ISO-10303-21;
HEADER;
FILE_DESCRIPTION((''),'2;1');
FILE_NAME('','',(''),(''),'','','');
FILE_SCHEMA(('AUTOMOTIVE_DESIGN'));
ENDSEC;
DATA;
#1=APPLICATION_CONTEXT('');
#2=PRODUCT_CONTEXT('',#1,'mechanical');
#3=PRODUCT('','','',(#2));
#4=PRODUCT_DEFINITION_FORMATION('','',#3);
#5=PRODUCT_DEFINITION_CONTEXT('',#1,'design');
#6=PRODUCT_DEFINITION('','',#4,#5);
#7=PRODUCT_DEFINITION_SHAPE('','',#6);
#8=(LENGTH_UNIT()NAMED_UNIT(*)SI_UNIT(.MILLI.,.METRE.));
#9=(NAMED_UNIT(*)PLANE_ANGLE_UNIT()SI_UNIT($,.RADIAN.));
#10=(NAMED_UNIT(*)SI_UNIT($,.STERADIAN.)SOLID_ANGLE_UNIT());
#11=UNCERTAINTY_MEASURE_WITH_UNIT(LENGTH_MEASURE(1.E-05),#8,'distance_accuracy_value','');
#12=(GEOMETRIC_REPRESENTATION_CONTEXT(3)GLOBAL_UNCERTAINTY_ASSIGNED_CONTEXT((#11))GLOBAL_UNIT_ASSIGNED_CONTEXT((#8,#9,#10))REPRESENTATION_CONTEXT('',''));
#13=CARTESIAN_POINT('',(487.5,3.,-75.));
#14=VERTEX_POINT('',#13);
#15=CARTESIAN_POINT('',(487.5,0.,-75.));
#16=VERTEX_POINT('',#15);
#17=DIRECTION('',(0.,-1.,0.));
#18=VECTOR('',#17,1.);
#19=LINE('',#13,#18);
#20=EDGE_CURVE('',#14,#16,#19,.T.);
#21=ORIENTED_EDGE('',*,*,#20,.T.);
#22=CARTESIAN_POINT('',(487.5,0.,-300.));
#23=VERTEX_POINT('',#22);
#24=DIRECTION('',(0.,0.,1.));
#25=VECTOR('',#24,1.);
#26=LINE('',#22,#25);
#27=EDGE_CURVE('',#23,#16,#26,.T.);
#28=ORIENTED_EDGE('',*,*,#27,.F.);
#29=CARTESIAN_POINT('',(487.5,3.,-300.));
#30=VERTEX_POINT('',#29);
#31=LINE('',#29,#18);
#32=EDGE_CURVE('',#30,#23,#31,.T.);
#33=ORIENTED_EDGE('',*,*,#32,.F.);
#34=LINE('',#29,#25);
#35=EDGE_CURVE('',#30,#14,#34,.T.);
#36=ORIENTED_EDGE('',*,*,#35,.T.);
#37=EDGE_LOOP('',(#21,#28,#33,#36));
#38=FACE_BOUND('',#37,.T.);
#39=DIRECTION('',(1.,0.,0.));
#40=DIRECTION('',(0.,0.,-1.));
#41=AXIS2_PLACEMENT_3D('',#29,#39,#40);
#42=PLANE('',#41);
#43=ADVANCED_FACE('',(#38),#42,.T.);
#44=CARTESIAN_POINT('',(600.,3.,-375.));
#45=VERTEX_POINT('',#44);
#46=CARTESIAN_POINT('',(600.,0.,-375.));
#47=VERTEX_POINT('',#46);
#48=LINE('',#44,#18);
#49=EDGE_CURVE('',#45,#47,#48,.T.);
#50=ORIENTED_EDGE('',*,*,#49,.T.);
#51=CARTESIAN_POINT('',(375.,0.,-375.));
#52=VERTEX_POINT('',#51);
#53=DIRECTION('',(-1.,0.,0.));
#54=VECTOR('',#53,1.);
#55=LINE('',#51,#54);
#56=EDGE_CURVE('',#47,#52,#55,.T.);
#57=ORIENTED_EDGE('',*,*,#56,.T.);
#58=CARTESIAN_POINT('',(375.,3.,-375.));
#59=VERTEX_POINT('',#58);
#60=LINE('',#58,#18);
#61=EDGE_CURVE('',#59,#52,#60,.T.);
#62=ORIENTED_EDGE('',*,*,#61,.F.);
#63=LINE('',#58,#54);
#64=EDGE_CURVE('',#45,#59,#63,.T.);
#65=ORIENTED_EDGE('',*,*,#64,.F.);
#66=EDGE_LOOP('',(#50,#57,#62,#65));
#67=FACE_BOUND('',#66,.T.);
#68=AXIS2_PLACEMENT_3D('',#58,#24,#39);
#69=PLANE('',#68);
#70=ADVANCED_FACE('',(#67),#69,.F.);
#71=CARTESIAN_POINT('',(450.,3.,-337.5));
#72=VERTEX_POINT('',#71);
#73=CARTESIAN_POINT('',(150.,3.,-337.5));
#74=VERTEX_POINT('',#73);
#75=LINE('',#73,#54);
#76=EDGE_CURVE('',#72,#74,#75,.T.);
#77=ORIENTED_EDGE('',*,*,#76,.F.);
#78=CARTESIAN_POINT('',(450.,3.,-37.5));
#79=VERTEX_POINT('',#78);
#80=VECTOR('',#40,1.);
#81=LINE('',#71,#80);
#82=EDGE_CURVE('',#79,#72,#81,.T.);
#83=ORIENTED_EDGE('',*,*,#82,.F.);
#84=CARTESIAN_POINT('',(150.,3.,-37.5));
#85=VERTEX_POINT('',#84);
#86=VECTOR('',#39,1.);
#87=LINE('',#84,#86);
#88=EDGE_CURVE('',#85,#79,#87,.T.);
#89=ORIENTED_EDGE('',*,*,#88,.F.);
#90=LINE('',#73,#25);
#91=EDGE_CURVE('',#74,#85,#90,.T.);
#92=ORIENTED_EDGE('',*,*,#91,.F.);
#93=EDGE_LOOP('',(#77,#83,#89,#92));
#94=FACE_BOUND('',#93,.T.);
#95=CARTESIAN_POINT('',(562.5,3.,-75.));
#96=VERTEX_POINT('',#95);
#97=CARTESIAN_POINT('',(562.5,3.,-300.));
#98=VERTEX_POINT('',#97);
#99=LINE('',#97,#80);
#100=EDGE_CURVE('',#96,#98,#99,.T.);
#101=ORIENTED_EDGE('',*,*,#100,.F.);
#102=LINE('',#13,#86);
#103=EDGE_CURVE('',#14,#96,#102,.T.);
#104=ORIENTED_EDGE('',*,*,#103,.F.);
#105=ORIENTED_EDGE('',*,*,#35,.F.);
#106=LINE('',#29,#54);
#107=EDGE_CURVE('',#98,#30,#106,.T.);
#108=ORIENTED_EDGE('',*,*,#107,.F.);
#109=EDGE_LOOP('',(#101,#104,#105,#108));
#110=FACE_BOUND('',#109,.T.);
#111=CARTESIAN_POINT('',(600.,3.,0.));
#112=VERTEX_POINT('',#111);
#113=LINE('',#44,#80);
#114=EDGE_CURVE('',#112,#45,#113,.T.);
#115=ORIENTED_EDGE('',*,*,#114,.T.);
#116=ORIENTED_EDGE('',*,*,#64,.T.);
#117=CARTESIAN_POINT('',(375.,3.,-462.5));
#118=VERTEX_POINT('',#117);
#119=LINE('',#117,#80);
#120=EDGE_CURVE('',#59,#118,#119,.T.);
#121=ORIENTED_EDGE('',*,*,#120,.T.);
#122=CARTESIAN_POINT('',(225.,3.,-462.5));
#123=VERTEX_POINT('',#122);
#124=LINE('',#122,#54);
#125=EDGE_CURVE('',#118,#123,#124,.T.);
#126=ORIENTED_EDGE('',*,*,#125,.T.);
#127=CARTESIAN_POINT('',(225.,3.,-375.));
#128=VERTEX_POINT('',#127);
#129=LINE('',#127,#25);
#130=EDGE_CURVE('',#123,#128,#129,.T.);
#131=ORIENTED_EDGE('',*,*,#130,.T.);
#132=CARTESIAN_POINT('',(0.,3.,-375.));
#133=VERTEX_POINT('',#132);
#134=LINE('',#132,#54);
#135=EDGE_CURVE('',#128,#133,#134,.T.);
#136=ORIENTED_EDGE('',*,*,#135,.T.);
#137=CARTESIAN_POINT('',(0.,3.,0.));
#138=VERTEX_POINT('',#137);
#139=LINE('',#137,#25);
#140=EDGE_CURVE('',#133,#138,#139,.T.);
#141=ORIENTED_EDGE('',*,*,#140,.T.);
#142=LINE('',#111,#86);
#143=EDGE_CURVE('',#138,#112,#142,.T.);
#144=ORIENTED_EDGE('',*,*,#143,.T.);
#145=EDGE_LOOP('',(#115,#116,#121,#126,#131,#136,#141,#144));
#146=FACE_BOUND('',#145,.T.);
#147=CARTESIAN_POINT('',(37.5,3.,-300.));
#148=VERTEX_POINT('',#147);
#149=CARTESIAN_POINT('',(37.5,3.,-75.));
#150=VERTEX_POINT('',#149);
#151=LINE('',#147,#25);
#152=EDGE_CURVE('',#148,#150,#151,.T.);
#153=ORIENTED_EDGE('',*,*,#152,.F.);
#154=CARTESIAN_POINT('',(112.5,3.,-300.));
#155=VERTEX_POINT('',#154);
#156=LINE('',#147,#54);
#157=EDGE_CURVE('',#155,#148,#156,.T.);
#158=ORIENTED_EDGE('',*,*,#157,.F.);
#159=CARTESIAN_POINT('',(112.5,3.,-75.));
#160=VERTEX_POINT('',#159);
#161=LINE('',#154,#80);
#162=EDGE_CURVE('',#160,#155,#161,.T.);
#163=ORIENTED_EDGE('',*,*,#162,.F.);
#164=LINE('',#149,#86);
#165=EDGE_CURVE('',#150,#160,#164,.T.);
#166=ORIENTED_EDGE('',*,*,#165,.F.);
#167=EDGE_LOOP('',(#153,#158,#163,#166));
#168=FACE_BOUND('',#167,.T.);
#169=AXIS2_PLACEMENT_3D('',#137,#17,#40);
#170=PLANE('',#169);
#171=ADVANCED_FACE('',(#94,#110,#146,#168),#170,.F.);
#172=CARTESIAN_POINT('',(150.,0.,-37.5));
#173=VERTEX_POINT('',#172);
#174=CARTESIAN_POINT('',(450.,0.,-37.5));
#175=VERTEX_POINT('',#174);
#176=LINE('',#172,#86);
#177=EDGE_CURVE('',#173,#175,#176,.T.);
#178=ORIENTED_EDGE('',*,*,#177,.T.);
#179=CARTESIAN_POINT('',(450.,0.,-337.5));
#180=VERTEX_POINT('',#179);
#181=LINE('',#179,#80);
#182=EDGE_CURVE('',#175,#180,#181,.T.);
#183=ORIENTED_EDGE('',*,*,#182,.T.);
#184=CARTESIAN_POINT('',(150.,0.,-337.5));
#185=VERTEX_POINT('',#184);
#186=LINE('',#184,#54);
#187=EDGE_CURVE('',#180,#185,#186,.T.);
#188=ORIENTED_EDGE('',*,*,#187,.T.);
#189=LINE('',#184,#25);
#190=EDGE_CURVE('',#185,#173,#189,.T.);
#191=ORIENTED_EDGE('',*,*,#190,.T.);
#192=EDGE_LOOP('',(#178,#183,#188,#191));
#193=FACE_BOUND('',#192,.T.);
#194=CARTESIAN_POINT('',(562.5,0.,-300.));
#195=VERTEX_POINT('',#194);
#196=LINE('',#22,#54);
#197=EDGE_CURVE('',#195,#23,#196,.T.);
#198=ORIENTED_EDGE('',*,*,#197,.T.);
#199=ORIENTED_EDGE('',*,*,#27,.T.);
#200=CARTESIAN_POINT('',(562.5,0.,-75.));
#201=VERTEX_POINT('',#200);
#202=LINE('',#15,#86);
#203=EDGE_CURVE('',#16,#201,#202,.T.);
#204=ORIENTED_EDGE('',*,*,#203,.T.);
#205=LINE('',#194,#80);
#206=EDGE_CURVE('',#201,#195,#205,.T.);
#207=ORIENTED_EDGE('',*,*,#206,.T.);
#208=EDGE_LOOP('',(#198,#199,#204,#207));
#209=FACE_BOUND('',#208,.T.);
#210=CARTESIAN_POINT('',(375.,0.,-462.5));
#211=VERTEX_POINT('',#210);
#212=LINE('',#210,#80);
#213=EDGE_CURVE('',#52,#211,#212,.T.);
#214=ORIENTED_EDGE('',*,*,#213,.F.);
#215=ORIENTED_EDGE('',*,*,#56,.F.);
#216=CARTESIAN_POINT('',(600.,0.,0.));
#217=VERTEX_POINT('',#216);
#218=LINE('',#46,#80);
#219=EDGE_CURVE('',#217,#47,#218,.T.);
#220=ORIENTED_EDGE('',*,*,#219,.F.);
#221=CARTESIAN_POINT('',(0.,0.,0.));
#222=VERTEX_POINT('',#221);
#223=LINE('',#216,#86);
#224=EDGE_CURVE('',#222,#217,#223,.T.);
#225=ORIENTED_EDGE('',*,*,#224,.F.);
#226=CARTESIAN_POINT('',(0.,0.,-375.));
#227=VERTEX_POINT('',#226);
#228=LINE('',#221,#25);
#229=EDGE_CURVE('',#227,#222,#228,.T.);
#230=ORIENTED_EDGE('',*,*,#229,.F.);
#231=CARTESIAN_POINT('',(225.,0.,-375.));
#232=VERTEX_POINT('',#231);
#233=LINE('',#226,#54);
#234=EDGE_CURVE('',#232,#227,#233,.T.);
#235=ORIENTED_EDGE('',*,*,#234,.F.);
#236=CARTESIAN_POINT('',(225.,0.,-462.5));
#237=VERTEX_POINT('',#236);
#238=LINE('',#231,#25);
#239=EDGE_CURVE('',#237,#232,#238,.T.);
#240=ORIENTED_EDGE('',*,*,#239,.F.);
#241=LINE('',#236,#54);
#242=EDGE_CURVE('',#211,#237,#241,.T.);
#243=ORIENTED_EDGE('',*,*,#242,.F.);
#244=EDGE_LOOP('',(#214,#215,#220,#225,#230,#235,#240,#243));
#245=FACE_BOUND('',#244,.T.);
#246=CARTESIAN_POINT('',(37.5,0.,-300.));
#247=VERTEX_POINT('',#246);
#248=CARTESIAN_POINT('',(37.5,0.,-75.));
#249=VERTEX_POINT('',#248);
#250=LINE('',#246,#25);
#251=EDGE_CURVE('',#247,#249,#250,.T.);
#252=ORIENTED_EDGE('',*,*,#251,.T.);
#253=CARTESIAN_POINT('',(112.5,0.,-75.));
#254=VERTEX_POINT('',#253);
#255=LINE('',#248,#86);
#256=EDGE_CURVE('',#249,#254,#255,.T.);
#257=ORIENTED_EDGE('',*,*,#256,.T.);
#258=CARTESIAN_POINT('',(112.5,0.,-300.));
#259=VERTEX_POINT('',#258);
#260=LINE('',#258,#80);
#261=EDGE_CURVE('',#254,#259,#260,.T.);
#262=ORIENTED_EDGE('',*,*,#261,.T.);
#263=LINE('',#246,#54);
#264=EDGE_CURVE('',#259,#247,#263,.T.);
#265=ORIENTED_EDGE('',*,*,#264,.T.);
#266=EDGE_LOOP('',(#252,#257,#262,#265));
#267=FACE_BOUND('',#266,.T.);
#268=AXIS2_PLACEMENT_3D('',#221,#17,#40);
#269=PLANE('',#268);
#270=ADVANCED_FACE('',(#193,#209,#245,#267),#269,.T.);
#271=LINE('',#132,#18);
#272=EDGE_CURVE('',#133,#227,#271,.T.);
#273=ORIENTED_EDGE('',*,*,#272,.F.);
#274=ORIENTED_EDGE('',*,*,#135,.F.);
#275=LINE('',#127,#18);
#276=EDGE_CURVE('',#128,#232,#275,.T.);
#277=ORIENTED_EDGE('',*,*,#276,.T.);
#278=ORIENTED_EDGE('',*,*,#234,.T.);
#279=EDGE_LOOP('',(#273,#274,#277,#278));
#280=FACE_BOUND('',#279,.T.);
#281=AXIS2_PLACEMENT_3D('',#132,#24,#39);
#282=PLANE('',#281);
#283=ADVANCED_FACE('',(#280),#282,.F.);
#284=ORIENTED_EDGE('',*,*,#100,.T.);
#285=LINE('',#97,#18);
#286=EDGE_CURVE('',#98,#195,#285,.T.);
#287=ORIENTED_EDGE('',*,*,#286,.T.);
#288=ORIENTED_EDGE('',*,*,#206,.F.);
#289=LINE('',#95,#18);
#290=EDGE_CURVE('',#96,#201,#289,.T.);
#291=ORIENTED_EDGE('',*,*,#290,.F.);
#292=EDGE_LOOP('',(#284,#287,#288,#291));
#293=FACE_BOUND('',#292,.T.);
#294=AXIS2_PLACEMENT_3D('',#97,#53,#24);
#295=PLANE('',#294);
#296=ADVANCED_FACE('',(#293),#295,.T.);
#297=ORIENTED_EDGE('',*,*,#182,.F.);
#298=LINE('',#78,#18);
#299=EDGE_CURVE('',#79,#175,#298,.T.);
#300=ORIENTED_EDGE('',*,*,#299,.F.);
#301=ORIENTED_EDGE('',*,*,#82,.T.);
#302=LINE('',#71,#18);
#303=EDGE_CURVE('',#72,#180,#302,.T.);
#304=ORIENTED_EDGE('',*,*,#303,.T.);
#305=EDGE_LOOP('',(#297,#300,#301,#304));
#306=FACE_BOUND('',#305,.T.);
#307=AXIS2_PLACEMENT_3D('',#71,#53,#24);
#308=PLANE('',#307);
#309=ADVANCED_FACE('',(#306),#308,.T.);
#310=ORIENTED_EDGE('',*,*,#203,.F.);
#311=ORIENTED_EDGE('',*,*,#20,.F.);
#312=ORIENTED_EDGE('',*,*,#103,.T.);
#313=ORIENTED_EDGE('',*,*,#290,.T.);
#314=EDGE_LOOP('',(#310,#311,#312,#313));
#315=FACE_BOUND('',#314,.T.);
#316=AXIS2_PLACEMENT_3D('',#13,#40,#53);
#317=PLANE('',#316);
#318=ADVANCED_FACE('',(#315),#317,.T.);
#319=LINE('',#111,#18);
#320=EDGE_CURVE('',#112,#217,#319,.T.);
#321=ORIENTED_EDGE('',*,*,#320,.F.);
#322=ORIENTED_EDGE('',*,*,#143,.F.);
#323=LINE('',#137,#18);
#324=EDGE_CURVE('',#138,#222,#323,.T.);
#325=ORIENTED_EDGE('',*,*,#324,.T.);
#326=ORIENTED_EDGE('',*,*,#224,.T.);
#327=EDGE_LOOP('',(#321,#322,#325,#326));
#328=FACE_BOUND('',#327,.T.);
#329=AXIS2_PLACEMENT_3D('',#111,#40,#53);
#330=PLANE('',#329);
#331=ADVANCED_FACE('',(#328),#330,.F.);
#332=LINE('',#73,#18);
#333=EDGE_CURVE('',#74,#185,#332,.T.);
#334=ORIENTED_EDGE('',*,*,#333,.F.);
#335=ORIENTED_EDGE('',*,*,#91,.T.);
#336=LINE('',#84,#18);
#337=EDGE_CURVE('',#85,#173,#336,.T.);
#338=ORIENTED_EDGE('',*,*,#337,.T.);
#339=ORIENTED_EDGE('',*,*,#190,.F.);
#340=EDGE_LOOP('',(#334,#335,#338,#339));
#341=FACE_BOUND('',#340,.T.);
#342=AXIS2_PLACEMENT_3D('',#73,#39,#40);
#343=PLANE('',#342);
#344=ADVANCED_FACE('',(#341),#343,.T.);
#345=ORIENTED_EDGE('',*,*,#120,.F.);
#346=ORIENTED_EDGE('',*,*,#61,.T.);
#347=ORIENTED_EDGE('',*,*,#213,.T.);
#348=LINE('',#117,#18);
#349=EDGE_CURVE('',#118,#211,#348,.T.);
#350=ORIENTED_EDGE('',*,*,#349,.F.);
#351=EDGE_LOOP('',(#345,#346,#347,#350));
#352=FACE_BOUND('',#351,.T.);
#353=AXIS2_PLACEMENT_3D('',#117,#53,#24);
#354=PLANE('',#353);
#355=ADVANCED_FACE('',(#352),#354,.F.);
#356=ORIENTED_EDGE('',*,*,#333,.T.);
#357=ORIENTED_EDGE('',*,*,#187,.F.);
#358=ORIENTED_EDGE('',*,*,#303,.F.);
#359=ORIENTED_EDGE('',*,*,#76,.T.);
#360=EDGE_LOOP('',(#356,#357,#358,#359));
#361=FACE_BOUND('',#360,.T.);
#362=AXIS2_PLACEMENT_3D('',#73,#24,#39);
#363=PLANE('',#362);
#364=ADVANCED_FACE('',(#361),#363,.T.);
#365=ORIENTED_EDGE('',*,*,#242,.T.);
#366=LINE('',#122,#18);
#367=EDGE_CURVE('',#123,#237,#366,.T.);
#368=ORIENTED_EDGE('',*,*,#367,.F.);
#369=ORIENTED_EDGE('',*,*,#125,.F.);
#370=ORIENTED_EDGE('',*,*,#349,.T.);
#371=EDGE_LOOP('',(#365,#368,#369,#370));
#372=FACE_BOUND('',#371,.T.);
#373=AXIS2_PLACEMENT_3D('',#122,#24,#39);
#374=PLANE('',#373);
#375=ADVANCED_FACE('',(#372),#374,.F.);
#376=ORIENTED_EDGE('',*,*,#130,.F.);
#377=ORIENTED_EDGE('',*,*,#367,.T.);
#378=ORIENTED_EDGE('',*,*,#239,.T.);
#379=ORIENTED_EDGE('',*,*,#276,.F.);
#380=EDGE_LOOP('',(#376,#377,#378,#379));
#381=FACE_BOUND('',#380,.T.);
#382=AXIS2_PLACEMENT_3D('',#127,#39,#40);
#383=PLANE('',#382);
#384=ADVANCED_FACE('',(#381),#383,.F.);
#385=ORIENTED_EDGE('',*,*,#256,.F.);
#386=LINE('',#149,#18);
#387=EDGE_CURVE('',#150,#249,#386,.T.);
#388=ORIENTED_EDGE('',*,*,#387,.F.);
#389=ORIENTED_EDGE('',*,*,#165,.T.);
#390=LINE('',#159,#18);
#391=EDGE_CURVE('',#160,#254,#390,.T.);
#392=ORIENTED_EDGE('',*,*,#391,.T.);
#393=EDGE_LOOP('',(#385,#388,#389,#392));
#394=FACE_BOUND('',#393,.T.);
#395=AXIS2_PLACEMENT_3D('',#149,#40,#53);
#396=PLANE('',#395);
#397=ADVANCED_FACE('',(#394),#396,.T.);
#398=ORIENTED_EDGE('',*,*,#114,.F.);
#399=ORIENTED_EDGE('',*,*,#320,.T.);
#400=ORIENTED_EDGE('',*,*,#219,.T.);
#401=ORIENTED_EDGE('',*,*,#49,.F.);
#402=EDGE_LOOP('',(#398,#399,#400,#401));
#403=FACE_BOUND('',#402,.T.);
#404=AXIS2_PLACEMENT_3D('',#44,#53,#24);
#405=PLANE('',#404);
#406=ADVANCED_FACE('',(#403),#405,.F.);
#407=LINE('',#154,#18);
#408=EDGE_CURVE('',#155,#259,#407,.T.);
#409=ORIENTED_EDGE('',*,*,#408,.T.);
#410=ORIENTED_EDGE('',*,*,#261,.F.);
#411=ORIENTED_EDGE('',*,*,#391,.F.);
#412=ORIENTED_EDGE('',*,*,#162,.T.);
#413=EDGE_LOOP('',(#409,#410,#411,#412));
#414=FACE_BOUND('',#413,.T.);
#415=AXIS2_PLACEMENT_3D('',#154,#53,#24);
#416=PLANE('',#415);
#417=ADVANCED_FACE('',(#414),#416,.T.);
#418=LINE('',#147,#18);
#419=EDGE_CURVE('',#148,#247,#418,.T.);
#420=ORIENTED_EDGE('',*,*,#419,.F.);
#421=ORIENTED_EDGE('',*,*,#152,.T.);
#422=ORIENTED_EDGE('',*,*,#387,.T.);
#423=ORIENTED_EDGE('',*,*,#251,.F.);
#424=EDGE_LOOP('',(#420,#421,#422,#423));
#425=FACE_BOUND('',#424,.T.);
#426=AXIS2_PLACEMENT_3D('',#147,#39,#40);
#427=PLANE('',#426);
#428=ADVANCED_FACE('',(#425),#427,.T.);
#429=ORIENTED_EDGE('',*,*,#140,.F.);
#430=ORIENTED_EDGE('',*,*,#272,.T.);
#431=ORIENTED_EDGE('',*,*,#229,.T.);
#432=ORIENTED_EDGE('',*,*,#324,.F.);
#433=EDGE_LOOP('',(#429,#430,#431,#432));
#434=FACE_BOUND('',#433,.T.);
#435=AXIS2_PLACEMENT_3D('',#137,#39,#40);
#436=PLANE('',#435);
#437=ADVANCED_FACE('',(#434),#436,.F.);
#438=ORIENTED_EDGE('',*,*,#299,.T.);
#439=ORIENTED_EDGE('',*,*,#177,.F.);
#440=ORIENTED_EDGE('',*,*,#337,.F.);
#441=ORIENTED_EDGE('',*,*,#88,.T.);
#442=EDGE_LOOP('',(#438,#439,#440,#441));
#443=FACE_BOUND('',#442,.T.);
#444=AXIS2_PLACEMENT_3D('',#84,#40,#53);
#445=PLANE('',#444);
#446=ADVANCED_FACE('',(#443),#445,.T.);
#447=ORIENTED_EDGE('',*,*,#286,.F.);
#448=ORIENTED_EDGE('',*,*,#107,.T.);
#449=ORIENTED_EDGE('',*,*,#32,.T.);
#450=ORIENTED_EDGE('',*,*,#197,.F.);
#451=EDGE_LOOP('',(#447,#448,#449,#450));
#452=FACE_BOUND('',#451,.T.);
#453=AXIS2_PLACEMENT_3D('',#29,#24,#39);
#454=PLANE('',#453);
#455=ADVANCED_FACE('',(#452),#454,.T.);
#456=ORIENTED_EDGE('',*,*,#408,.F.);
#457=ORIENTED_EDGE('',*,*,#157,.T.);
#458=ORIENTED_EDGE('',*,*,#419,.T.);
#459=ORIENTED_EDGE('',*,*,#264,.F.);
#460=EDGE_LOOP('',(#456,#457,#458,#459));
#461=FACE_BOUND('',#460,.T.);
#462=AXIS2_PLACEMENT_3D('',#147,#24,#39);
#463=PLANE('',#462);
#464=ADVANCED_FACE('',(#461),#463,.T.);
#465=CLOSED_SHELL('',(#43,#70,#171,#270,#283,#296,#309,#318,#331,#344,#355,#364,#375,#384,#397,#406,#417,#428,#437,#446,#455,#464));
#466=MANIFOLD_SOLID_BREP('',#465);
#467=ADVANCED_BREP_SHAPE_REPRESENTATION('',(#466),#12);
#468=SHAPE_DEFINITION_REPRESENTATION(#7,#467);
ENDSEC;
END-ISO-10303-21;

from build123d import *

# Parameters (mm, degrees)
SKETCH1_W           = 300
SKETCH1_H           = 300
SKETCH1_W_2         = 75
SKETCH1_H_2         = 225
BOSS_EXTRUDE1_DEPTH = 3


with BuildPart() as part:
    # Sketch1 → Boss-Extrude1 (new body)
    with BuildSketch(Plane(origin=(0, 0, 0), x_dir=(1, 0, 0), z_dir=(0, 1, 0))):
        Polygon((0, 0), (0, 375), (225, 375), (225, 462.5), (375, 462.5), (375, 375), (600, 375), (600, 0), align=None)
        with Locations((300, 187.5)):
            Rectangle(SKETCH1_W, SKETCH1_H, mode=Mode.SUBTRACT)
        with Locations((75, 187.5)):
            Rectangle(SKETCH1_W_2, SKETCH1_H_2, mode=Mode.SUBTRACT)
        with Locations((525, 187.5)):
            Rectangle(SKETCH1_W_2, SKETCH1_H_2, mode=Mode.SUBTRACT)
    extrude(amount=BOSS_EXTRUDE1_DEPTH)


solid = part.part
